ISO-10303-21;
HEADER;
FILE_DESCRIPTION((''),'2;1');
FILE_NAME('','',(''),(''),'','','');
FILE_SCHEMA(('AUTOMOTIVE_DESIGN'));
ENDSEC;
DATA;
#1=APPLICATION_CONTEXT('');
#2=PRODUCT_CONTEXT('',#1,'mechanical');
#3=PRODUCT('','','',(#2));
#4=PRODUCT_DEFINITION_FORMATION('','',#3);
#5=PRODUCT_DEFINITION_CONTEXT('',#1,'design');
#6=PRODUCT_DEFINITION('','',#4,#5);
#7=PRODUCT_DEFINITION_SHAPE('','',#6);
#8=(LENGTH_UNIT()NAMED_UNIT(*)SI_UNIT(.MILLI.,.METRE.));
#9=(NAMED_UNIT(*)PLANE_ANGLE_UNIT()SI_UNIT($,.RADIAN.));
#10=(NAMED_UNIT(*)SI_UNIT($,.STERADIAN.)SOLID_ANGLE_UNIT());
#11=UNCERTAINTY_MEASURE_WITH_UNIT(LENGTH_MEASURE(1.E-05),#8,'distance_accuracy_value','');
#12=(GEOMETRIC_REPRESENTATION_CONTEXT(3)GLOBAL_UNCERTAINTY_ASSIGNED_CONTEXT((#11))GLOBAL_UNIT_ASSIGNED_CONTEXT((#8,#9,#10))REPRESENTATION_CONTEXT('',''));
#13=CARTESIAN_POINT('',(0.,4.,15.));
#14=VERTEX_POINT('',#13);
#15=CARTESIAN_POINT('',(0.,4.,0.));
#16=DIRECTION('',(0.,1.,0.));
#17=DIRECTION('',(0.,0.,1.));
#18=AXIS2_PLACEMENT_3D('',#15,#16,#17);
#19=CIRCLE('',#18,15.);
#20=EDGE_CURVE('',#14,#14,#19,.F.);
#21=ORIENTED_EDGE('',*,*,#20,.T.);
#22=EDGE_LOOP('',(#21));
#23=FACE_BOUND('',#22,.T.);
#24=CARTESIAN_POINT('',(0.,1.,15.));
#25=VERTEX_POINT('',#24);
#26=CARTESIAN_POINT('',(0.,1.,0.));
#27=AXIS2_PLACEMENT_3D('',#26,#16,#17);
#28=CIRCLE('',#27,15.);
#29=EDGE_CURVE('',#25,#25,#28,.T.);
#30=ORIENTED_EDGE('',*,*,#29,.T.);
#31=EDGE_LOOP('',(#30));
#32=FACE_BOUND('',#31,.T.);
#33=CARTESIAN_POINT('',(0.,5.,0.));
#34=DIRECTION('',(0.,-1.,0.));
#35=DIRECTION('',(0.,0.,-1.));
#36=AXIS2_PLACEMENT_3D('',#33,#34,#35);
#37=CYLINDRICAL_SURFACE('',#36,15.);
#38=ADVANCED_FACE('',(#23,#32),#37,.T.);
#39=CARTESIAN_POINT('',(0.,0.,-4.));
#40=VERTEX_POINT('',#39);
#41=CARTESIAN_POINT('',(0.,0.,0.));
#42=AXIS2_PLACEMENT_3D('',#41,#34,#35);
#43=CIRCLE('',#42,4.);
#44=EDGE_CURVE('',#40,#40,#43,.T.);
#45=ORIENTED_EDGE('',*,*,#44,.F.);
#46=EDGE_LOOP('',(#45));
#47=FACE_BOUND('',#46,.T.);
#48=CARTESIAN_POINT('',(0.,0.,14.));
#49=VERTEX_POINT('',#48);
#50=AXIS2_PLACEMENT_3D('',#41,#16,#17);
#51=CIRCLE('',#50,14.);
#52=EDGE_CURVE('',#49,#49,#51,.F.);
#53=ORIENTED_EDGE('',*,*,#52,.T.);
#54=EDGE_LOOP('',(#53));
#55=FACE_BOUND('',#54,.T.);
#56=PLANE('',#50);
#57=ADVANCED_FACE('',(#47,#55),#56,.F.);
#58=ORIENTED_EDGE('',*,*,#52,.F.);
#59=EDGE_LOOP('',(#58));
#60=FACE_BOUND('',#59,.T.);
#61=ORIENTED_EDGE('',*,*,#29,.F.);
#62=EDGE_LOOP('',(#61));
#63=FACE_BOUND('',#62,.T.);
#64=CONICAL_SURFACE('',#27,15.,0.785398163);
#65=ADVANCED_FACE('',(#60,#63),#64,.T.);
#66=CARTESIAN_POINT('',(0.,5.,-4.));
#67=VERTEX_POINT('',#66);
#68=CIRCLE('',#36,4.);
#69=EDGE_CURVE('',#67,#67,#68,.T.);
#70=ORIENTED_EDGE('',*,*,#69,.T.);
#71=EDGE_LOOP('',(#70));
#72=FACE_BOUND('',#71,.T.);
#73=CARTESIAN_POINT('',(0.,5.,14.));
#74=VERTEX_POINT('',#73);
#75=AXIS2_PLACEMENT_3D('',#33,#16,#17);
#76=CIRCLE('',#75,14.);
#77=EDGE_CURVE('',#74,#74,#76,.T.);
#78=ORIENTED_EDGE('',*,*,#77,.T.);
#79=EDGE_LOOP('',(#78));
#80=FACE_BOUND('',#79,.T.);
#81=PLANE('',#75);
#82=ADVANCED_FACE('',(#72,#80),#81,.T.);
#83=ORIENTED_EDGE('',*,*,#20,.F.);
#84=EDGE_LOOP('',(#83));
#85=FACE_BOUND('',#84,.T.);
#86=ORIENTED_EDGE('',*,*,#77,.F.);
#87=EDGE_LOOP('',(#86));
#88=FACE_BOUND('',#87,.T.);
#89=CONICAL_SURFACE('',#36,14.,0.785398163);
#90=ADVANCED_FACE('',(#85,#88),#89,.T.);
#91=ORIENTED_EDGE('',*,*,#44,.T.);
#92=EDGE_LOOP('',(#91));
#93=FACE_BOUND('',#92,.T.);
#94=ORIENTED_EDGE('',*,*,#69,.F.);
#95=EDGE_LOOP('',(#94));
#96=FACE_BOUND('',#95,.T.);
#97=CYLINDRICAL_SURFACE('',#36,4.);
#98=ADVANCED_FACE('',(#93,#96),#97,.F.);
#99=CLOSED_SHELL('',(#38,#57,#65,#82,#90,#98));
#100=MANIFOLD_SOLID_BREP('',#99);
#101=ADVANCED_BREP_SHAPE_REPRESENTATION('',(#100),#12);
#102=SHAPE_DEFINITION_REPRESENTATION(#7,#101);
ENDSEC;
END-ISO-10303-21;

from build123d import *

# Parameters (mm, degrees)
SKETCH_1_R          = 15
EXTRUDE_1_DEPTH     = 5
CHAMFER_1_SIZE      = 1
SKETCH_2_R          = 4
CUT_EXTRUDE_1_DEPTH = 22.794494718


with BuildPart() as part:
    # 草图1 → 凸台-拉伸1 (new body)
    with BuildSketch(Plane(origin=(0, 0, 0), x_dir=(1, 0, 0), z_dir=(0, 1, 0))):
        with Locations(Location((0, 0, 0), (0, 0, 270))):
            Circle(SKETCH_1_R)
    extrude(amount=EXTRUDE_1_DEPTH)

    # 倒角1
    chamfer_1_edges = [part.edges().sort_by_distance(p)[0] for p in [
        (0, 0, -15),
        (0, 5, -15),
    ]]
    chamfer(chamfer_1_edges, length=CHAMFER_1_SIZE)

    # 草图2 → 切除-拉伸1 (cut, through all)
    with BuildSketch(Plane.XZ):
        with Locations(Location((0, 0, 0), (0, 0, 270))):
            Circle(SKETCH_2_R)
    extrude(amount=-CUT_EXTRUDE_1_DEPTH, mode=Mode.SUBTRACT)


solid = part.part
